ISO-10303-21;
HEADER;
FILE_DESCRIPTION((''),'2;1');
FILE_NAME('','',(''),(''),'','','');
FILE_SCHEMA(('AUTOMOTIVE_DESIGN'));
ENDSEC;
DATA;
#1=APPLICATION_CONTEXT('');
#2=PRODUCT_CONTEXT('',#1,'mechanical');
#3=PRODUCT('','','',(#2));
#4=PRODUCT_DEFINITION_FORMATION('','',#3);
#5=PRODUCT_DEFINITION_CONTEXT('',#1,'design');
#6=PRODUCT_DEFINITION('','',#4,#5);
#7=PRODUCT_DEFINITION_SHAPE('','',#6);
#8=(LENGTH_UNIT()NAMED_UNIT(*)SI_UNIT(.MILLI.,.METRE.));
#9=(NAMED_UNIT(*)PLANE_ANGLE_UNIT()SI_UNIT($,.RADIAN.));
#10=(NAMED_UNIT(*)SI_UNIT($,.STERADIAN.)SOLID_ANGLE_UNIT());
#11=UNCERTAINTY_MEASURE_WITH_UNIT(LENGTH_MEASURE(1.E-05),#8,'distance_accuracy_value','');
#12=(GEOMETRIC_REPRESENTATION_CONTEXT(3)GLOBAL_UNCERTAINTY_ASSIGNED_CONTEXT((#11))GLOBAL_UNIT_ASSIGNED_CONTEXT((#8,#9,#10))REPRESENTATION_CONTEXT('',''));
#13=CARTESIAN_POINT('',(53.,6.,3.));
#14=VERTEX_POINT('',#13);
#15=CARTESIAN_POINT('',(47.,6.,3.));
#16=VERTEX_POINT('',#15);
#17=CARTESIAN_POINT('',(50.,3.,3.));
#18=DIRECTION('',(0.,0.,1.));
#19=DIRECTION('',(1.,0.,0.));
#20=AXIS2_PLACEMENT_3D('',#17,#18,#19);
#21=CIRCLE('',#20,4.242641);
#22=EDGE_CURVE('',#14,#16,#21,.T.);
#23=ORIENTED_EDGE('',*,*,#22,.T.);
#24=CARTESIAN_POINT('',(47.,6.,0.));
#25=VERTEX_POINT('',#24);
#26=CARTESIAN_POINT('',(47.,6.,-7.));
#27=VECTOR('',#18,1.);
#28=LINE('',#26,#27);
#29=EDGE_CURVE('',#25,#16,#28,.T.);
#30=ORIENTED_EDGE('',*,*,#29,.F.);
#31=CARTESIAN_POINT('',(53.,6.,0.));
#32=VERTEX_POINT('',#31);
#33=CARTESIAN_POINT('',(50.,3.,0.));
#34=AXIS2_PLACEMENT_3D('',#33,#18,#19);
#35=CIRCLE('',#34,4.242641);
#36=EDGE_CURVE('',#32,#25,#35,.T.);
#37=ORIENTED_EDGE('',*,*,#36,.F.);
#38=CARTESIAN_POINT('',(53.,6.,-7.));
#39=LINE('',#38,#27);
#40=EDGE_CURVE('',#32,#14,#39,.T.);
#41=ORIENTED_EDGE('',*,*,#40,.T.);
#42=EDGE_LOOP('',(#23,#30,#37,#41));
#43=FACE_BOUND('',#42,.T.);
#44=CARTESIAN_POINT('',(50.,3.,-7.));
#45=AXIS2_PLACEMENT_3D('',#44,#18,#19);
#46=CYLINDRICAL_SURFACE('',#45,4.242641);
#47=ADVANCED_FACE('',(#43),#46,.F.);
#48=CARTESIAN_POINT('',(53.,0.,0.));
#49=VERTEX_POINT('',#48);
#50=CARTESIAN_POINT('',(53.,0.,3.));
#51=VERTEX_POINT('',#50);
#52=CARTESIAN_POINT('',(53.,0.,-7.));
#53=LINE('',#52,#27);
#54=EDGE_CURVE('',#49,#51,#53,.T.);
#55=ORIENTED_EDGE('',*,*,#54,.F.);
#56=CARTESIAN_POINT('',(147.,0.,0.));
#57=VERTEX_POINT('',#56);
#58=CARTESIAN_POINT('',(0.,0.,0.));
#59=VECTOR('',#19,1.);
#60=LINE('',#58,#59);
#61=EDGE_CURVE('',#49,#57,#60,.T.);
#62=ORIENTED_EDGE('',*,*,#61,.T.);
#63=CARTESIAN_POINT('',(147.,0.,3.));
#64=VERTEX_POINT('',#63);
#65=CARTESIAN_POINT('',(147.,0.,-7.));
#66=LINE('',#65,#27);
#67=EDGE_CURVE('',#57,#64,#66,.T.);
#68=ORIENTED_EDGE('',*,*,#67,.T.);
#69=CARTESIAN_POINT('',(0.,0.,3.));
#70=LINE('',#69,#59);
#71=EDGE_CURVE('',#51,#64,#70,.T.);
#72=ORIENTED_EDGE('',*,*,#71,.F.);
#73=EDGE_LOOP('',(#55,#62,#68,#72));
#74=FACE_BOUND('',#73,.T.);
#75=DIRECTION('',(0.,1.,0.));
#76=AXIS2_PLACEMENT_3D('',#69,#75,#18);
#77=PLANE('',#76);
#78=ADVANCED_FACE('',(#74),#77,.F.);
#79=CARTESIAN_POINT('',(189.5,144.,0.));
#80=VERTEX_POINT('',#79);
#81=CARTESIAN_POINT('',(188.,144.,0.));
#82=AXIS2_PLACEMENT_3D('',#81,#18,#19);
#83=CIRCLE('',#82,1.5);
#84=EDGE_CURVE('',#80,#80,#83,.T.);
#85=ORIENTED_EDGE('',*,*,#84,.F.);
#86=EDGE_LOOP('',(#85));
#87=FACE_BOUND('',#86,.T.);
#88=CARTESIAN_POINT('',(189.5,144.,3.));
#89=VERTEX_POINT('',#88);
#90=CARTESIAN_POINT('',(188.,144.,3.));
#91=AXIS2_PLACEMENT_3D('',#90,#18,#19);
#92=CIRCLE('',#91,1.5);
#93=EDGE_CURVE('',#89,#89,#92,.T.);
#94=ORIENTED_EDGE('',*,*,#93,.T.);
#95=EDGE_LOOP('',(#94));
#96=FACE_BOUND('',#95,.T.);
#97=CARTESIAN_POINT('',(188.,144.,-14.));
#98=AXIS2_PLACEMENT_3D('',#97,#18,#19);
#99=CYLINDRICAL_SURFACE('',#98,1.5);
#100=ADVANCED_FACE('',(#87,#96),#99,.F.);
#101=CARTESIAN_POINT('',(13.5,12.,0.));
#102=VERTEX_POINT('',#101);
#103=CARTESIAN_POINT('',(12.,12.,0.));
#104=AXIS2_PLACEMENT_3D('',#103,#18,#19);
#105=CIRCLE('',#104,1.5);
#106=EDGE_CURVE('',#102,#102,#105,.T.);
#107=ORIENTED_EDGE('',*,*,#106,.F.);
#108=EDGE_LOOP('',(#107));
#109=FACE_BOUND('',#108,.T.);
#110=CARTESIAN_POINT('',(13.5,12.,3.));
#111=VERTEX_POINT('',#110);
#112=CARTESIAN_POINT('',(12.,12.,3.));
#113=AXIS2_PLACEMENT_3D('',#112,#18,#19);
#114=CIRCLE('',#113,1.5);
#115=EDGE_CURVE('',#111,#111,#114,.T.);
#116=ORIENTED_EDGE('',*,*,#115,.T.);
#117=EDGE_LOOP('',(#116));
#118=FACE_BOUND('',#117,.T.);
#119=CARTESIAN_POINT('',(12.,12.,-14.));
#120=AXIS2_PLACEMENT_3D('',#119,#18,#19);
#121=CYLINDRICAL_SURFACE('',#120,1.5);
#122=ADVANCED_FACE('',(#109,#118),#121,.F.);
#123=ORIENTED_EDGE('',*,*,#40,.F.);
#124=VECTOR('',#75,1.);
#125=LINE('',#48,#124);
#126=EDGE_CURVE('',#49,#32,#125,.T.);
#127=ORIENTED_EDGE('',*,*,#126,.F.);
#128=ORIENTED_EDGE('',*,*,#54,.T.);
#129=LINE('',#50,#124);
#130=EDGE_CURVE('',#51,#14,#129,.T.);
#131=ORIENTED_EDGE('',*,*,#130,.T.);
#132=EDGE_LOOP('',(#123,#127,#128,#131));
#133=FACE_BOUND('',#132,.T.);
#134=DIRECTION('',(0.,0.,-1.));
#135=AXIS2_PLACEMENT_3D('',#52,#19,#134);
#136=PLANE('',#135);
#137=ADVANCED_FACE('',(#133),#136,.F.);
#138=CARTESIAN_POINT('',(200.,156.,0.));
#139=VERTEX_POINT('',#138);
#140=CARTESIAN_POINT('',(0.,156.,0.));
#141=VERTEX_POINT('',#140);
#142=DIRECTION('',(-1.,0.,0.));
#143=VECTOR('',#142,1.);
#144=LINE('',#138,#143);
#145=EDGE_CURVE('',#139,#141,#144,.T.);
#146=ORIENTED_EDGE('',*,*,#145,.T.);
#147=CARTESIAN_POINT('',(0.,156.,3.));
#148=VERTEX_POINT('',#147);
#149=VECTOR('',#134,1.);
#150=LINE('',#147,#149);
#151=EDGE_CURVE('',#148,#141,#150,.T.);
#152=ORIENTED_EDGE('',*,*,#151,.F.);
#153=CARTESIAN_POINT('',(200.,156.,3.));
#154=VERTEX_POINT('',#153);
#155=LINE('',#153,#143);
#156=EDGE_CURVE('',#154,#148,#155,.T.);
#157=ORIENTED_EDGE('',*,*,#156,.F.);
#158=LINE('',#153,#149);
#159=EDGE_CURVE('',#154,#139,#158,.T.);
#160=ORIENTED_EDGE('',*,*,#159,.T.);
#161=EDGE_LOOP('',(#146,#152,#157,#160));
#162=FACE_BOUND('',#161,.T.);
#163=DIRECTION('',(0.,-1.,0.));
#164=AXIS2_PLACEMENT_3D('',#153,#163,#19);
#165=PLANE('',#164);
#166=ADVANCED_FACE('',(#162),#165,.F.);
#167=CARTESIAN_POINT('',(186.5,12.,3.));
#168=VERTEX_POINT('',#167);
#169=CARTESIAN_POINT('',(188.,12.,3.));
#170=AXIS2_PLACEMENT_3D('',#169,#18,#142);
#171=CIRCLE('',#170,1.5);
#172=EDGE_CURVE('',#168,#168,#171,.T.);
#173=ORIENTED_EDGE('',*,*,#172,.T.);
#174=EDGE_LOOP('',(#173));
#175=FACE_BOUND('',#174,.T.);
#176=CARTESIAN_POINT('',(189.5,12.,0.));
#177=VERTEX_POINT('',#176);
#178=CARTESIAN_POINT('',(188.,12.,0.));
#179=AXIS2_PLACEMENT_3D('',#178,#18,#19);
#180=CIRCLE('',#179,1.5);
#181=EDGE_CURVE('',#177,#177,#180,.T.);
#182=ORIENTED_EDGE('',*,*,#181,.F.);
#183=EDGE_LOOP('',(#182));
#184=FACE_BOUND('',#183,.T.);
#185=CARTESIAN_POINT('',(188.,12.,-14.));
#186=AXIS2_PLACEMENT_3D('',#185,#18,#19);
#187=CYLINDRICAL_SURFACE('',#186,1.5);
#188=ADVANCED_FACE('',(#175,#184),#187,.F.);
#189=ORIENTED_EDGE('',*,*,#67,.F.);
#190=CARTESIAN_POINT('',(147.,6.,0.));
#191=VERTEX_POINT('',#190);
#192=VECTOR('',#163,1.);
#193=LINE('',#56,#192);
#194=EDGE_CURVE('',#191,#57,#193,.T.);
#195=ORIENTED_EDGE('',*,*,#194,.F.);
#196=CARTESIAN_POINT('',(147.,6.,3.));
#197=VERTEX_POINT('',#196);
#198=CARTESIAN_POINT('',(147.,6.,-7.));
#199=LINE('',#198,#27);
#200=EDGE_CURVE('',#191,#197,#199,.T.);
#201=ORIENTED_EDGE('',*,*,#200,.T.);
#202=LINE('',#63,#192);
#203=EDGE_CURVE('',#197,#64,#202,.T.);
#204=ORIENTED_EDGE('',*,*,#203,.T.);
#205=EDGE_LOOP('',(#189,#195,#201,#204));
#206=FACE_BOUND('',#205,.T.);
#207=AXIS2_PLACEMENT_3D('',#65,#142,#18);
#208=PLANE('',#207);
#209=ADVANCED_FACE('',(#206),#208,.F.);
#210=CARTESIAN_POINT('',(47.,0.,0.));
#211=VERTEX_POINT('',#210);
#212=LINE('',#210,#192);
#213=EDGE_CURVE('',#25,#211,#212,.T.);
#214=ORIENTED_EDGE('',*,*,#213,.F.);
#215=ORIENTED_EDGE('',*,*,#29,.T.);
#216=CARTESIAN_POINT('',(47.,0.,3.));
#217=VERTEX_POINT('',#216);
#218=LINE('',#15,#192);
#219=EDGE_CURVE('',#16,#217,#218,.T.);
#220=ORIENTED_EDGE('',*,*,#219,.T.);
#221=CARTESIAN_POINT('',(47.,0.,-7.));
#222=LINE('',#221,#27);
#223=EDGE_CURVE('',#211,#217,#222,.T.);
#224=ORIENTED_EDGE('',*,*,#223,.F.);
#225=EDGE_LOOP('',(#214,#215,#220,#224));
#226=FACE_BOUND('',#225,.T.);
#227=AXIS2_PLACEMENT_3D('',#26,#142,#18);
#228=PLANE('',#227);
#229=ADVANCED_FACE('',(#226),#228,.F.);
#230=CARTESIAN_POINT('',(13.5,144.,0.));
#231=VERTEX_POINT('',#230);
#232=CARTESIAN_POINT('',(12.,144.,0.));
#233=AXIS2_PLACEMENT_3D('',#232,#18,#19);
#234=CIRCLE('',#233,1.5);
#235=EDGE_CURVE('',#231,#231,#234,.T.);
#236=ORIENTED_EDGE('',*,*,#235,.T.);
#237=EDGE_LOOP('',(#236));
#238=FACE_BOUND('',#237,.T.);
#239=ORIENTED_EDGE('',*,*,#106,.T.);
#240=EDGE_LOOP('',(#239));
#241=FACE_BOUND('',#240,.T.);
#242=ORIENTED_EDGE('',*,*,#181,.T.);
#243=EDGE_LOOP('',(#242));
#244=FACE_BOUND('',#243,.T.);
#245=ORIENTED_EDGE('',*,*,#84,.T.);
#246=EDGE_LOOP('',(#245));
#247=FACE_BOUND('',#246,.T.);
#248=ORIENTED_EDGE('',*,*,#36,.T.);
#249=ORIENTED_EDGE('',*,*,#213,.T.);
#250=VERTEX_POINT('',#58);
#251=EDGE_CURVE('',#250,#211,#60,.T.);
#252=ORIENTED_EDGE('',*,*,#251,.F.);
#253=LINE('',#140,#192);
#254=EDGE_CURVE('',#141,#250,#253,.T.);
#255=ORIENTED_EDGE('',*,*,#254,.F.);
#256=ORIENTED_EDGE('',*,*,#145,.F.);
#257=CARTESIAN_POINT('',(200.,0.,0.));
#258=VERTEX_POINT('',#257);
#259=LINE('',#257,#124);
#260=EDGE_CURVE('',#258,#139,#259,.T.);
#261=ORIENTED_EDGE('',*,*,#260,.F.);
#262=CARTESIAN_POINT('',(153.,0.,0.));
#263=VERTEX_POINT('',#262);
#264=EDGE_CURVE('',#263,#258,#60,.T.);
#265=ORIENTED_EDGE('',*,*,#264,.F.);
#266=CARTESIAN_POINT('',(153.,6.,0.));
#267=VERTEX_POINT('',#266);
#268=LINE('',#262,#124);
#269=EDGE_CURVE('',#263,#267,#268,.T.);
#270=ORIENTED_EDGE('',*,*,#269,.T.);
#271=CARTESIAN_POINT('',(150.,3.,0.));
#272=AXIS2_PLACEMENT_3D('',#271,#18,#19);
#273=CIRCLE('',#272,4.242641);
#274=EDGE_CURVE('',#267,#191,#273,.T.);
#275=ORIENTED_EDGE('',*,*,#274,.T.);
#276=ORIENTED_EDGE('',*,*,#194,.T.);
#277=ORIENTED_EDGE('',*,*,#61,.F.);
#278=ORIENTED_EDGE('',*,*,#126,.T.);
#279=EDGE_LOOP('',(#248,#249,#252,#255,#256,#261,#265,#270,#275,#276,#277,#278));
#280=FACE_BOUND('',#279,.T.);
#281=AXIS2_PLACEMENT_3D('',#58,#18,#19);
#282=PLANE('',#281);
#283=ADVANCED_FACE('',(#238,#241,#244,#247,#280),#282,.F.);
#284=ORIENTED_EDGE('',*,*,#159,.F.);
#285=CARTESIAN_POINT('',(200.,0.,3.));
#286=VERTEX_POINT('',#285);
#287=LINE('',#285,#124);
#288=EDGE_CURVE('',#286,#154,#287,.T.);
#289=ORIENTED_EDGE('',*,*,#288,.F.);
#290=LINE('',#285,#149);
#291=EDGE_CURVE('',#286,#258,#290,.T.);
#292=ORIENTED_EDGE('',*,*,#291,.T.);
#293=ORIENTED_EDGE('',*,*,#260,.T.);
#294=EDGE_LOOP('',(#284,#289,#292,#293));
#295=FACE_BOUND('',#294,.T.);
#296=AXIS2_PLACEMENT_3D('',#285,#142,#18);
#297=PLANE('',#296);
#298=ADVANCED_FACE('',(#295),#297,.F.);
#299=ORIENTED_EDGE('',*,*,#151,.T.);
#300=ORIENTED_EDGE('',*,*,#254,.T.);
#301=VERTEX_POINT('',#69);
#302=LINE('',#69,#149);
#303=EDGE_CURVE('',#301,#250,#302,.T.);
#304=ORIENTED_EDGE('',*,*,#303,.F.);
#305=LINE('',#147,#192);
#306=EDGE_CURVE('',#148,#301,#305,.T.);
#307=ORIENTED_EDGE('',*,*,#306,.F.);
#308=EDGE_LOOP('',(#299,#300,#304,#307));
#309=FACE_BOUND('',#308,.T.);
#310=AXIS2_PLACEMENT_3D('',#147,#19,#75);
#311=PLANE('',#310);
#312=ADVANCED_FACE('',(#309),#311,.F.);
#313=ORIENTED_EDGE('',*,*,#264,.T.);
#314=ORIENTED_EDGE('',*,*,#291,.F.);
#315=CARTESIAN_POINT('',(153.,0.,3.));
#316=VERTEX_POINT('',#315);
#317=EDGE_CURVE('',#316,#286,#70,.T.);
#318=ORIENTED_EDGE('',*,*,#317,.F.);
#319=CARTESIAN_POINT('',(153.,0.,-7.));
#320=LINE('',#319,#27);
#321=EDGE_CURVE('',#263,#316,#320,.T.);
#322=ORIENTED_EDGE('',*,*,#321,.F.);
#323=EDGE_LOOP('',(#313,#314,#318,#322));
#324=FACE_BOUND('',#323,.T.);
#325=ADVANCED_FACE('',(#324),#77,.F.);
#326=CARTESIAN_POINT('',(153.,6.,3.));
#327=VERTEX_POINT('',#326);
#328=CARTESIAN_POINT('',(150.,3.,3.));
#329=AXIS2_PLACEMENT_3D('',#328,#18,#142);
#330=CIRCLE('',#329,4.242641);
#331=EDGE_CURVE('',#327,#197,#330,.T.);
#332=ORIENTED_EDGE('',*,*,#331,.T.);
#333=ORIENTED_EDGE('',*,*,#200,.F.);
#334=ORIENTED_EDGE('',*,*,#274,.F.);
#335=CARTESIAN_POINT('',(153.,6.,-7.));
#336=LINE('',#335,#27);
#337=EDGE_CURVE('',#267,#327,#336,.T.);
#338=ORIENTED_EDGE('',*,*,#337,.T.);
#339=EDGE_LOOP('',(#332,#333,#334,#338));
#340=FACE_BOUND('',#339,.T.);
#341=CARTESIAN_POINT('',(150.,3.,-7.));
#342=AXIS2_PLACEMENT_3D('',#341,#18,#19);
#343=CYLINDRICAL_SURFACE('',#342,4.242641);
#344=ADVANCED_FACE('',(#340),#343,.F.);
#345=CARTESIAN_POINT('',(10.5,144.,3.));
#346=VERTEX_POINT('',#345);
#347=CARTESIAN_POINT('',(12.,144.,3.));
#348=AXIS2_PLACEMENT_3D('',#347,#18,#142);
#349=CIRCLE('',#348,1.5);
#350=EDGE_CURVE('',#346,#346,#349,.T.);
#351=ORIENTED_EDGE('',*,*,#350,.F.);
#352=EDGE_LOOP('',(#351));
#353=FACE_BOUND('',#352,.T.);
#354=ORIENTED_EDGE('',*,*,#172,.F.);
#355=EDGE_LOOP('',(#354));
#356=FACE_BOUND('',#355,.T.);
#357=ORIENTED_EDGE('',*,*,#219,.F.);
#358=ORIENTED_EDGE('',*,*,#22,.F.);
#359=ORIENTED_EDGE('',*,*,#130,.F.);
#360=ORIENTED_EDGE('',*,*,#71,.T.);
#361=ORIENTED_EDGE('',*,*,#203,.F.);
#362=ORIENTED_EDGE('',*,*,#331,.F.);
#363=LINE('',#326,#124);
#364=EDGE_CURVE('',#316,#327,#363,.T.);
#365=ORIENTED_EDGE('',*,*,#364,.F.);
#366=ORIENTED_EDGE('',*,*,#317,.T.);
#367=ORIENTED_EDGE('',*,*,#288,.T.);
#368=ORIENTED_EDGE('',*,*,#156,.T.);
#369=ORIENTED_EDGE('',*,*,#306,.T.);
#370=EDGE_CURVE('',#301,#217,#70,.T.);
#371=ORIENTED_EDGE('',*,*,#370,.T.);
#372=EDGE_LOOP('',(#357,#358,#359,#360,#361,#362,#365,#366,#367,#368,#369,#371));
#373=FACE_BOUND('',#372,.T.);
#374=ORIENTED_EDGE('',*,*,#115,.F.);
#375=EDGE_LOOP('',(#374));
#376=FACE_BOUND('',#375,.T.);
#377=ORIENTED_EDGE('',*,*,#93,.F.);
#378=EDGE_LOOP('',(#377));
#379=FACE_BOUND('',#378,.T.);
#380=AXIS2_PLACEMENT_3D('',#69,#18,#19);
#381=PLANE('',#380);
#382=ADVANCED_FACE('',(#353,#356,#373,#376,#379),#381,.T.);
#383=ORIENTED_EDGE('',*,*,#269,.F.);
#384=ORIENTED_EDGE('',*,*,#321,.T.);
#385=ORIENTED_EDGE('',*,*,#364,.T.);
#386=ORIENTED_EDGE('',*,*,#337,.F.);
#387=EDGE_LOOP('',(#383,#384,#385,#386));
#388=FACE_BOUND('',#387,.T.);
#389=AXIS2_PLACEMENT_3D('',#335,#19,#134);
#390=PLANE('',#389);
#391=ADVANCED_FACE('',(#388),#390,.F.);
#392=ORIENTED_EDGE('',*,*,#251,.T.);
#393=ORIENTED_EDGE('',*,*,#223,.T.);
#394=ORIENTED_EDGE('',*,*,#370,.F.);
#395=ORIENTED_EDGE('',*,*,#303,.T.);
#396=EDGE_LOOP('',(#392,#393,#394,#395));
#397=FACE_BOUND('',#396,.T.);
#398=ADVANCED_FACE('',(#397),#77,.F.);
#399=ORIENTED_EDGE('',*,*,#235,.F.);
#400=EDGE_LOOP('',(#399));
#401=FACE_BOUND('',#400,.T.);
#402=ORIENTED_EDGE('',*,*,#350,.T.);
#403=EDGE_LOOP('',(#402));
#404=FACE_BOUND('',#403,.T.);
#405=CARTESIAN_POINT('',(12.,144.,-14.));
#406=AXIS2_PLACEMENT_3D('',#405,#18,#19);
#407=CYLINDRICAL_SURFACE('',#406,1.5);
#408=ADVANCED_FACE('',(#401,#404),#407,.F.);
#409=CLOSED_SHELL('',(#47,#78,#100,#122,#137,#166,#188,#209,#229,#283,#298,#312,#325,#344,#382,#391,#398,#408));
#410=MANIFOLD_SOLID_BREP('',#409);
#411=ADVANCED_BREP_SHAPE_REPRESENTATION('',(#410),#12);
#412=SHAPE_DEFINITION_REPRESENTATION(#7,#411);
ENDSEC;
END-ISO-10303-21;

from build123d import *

# Parameters (mm, degrees)
SKETCH1_W           = 200
SKETCH1_H           = 156
BOSS_EXTRUDE1_DEPTH = 3
SKETCH2_R           = 1.5
CUT_EXTRUDE1_DEPTH  = 17
CUT_EXTRUDE10_DEPTH = 10


with BuildPart() as part:
    # Sketch1 → Boss-Extrude1 (new body)
    with BuildSketch(Plane.XY):
        with Locations((100, 78)):
            Rectangle(SKETCH1_W, SKETCH1_H)
    extrude(amount=BOSS_EXTRUDE1_DEPTH)

    # Sketch2 → Cut-Extrude1 (cut)
    with BuildSketch(Plane.XY.offset(3)):
        with Locations((12, 12)):
            Circle(SKETCH2_R)
        with Locations((12, 144)):
            Circle(SKETCH2_R)
        with Locations((188, 144)):
            Circle(SKETCH2_R)
        with Locations((188, 12)):
            Circle(SKETCH2_R)
    extrude(amount=-CUT_EXTRUDE1_DEPTH, mode=Mode.SUBTRACT)

    # Sketch6 → Cut-Extrude10 (cut)
    with BuildSketch(Plane.XY.offset(3)):
        with BuildLine():
            Line((153, 0), (147, 0))
            Line((147, 0), (147, 6))
            ThreePointArc((147, 6), (150, 7.242640687), (153, 6))
            Line((153, 6), (153, 0))
        make_face()
        with BuildLine():
            Line((53, 0), (53, 6))
            ThreePointArc((53, 6), (50, 7.242640687), (47, 6))
            Line((47, 6), (47, 0))
            Line((47, 0), (53, 0))
        make_face()
    extrude(amount=-CUT_EXTRUDE10_DEPTH, mode=Mode.SUBTRACT)


solid = part.part
